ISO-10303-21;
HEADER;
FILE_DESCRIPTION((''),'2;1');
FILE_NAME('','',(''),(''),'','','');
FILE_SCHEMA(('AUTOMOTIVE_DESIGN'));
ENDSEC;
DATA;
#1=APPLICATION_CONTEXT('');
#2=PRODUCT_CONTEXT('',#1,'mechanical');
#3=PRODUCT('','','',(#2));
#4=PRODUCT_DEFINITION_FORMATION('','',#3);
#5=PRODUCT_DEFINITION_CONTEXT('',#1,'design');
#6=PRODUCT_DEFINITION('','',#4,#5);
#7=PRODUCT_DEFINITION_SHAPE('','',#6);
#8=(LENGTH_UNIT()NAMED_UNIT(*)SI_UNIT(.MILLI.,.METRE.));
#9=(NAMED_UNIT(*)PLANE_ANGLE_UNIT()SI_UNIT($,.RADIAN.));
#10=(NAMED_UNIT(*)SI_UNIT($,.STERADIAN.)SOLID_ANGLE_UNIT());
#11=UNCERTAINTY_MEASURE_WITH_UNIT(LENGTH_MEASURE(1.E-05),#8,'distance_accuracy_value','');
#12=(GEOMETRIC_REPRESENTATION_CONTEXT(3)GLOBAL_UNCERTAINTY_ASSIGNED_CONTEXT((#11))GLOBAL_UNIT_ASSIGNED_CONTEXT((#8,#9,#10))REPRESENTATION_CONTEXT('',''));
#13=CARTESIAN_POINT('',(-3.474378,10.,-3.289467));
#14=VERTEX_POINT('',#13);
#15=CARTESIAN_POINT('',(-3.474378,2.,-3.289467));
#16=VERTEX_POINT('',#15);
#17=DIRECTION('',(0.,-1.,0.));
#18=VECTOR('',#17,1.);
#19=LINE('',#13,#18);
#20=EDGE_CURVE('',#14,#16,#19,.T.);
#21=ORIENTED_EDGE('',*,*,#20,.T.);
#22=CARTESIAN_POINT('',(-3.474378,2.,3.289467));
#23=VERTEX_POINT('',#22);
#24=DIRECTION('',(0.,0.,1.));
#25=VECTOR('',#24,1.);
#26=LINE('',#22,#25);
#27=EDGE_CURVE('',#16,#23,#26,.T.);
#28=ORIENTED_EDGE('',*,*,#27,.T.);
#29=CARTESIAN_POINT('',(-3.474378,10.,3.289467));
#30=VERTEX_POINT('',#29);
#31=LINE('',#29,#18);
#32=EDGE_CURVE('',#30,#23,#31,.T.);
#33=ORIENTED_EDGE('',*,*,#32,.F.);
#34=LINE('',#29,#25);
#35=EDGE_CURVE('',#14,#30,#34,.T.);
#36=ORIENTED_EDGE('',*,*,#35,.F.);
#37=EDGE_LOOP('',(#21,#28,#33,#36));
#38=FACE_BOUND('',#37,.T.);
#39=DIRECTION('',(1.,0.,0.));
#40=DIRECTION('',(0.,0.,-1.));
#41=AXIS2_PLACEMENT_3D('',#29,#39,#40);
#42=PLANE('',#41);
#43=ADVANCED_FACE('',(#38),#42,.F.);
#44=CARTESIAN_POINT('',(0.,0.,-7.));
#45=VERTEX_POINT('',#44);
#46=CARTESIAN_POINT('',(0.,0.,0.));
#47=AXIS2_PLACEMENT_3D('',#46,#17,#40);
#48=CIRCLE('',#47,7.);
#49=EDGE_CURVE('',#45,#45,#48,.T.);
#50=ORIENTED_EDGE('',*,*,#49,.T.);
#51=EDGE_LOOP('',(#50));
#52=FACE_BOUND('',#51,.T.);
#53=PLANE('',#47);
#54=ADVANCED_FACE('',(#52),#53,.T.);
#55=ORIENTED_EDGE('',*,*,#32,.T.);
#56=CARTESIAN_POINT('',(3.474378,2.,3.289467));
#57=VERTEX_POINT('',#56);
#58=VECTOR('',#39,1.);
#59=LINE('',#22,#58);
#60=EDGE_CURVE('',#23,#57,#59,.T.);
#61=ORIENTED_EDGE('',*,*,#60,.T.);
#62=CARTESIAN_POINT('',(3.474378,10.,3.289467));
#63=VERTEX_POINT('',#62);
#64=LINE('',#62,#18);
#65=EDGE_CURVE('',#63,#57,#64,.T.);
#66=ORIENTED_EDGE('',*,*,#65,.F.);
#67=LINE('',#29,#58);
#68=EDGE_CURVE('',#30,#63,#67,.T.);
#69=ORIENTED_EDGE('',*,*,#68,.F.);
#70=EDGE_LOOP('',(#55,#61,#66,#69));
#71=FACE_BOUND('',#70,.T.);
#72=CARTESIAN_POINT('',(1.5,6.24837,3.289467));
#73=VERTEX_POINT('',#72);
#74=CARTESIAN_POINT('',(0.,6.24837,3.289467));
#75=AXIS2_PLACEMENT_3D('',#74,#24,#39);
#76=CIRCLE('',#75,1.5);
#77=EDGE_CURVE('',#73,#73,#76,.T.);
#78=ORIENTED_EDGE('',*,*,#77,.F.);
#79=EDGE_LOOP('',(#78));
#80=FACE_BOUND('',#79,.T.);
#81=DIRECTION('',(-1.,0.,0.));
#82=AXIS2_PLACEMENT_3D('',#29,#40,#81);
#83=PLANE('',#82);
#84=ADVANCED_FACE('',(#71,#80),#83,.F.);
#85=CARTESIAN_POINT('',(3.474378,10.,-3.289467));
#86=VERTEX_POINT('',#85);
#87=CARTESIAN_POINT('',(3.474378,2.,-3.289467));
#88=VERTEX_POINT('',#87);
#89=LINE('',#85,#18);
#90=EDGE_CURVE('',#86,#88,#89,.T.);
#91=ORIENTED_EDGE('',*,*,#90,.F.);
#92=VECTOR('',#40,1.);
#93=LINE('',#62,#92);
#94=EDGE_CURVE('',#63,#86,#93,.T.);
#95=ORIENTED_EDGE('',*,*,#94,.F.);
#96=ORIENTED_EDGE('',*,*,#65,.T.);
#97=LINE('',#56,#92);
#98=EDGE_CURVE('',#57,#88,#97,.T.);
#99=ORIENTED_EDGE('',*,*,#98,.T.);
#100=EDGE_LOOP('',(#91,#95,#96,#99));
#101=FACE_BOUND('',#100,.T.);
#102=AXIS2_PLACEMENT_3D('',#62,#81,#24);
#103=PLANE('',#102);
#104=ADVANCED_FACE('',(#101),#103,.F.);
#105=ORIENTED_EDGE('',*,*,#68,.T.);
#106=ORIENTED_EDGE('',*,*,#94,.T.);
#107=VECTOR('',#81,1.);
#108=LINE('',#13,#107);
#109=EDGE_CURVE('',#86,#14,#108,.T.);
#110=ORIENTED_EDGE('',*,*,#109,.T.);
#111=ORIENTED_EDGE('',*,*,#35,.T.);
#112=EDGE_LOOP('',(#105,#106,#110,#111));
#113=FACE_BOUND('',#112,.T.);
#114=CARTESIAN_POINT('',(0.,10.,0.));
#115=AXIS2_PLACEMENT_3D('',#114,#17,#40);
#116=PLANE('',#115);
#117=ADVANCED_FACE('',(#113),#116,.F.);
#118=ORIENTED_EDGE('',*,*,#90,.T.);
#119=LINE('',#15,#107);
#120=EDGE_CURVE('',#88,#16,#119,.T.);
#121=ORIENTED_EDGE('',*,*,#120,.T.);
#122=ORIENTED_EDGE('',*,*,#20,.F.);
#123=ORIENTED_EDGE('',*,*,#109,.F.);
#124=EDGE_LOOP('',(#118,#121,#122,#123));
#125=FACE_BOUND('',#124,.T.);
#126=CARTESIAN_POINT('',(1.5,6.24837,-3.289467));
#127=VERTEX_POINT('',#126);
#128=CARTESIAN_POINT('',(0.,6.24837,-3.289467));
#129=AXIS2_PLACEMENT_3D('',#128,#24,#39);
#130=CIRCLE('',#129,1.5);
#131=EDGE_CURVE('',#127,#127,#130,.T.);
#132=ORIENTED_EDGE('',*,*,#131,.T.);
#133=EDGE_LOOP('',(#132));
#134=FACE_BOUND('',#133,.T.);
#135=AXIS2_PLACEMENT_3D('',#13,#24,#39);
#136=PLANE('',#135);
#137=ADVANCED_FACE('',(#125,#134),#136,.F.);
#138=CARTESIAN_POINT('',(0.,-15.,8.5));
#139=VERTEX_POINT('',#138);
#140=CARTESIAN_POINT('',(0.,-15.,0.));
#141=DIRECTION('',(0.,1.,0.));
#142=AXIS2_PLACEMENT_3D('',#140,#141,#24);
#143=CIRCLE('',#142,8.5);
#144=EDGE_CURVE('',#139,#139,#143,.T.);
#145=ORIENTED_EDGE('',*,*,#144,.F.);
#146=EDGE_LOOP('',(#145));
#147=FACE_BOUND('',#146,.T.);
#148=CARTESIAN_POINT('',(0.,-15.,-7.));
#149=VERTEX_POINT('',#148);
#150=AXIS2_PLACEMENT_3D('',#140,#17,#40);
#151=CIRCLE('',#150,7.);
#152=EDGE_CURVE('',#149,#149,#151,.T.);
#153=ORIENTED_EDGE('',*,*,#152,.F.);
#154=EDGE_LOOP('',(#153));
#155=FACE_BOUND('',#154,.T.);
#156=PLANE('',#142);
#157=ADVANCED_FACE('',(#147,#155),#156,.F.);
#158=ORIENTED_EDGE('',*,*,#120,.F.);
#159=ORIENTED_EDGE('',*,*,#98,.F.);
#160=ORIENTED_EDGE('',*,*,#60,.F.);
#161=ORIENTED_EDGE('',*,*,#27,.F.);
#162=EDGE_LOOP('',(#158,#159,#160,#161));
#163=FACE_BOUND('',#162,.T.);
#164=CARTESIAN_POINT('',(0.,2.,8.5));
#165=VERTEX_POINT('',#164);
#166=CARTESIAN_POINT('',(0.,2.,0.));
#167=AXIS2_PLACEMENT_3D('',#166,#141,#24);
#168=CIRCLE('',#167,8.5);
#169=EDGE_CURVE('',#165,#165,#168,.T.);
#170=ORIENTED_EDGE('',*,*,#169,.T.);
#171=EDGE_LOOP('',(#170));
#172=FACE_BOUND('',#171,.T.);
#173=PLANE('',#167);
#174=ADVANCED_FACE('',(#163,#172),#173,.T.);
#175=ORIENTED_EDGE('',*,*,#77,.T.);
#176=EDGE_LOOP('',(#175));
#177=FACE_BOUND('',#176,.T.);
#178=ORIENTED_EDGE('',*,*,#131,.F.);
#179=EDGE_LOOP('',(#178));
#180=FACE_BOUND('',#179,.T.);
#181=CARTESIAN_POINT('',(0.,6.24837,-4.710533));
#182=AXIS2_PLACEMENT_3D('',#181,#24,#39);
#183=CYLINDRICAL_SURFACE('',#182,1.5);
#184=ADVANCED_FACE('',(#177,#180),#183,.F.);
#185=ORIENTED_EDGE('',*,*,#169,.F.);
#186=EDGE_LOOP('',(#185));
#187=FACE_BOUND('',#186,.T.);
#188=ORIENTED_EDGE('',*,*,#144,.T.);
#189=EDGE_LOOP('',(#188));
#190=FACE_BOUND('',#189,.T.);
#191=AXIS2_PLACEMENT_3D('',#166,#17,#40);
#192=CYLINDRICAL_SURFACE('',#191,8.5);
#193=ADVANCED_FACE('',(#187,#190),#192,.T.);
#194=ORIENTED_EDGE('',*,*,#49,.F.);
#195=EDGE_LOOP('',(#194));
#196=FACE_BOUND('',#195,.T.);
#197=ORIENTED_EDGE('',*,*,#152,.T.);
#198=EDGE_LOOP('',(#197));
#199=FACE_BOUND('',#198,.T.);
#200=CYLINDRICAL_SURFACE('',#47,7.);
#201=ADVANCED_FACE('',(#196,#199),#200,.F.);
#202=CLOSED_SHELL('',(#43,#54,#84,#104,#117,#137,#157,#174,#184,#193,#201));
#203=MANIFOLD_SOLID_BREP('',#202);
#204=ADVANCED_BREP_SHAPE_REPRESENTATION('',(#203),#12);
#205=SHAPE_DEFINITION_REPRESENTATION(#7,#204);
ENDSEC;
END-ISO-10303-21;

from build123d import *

# Parameters (mm, degrees)
SKETCH1_R           = 8.5
BOSS_EXTRUDE1_DEPTH = 2
SKETCH2_W           = 6.948756548
SKETCH2_H           = 6.57893477
BOSS_EXTRUDE2_DEPTH = 8
SKETCH3_R           = 1.5
CUT_EXTRUDE1_DEPTH  = 8
BOSS_EXTRUDE3_START = -15
SKETCH1_2_R         = 8.5
BOSS_EXTRUDE3_DEPTH = 15
SKETCH5_R           = 7
CUT_EXTRUDE2_DEPTH  = 15


with BuildPart() as part:
    # Sketch1 → Boss-Extrude1 (new body)
    with BuildSketch(Plane(origin=(0, 0, 0), x_dir=(1, 0, 0), z_dir=(0, 1, 0))):
        Circle(SKETCH1_R)
    extrude(amount=BOSS_EXTRUDE1_DEPTH)

    # Sketch2 → Boss-Extrude2 (add)
    with BuildSketch(Plane(origin=(0, 2, 0), x_dir=(1, 0, 0), z_dir=(0, 1, 0))):
        Rectangle(SKETCH2_W, SKETCH2_H)
    extrude(amount=BOSS_EXTRUDE2_DEPTH)

    # Sketch3 → Cut-Extrude1 (cut)
    with BuildSketch(Plane.XY.offset(3.289467385)):
        with Locations((0, 6.248369683)):
            Circle(SKETCH3_R)
    extrude(amount=-CUT_EXTRUDE1_DEPTH, mode=Mode.SUBTRACT)

    # Sketch1<2> → Boss-Extrude3 (add)
    with BuildSketch(Plane(origin=(0, 0, 0), x_dir=(1, 0, 0), z_dir=(0, 1, 0)).offset(BOSS_EXTRUDE3_START)):
        Circle(SKETCH1_2_R)
    extrude(amount=BOSS_EXTRUDE3_DEPTH)

    # Sketch5 → Cut-Extrude2 (cut)
    with BuildSketch(Plane(origin=(0, -15, 0), x_dir=(-1, 0, 0), z_dir=(0, -1, 0))):
        Circle(SKETCH5_R)
    extrude(amount=-CUT_EXTRUDE2_DEPTH, mode=Mode.SUBTRACT)


solid = part.part
